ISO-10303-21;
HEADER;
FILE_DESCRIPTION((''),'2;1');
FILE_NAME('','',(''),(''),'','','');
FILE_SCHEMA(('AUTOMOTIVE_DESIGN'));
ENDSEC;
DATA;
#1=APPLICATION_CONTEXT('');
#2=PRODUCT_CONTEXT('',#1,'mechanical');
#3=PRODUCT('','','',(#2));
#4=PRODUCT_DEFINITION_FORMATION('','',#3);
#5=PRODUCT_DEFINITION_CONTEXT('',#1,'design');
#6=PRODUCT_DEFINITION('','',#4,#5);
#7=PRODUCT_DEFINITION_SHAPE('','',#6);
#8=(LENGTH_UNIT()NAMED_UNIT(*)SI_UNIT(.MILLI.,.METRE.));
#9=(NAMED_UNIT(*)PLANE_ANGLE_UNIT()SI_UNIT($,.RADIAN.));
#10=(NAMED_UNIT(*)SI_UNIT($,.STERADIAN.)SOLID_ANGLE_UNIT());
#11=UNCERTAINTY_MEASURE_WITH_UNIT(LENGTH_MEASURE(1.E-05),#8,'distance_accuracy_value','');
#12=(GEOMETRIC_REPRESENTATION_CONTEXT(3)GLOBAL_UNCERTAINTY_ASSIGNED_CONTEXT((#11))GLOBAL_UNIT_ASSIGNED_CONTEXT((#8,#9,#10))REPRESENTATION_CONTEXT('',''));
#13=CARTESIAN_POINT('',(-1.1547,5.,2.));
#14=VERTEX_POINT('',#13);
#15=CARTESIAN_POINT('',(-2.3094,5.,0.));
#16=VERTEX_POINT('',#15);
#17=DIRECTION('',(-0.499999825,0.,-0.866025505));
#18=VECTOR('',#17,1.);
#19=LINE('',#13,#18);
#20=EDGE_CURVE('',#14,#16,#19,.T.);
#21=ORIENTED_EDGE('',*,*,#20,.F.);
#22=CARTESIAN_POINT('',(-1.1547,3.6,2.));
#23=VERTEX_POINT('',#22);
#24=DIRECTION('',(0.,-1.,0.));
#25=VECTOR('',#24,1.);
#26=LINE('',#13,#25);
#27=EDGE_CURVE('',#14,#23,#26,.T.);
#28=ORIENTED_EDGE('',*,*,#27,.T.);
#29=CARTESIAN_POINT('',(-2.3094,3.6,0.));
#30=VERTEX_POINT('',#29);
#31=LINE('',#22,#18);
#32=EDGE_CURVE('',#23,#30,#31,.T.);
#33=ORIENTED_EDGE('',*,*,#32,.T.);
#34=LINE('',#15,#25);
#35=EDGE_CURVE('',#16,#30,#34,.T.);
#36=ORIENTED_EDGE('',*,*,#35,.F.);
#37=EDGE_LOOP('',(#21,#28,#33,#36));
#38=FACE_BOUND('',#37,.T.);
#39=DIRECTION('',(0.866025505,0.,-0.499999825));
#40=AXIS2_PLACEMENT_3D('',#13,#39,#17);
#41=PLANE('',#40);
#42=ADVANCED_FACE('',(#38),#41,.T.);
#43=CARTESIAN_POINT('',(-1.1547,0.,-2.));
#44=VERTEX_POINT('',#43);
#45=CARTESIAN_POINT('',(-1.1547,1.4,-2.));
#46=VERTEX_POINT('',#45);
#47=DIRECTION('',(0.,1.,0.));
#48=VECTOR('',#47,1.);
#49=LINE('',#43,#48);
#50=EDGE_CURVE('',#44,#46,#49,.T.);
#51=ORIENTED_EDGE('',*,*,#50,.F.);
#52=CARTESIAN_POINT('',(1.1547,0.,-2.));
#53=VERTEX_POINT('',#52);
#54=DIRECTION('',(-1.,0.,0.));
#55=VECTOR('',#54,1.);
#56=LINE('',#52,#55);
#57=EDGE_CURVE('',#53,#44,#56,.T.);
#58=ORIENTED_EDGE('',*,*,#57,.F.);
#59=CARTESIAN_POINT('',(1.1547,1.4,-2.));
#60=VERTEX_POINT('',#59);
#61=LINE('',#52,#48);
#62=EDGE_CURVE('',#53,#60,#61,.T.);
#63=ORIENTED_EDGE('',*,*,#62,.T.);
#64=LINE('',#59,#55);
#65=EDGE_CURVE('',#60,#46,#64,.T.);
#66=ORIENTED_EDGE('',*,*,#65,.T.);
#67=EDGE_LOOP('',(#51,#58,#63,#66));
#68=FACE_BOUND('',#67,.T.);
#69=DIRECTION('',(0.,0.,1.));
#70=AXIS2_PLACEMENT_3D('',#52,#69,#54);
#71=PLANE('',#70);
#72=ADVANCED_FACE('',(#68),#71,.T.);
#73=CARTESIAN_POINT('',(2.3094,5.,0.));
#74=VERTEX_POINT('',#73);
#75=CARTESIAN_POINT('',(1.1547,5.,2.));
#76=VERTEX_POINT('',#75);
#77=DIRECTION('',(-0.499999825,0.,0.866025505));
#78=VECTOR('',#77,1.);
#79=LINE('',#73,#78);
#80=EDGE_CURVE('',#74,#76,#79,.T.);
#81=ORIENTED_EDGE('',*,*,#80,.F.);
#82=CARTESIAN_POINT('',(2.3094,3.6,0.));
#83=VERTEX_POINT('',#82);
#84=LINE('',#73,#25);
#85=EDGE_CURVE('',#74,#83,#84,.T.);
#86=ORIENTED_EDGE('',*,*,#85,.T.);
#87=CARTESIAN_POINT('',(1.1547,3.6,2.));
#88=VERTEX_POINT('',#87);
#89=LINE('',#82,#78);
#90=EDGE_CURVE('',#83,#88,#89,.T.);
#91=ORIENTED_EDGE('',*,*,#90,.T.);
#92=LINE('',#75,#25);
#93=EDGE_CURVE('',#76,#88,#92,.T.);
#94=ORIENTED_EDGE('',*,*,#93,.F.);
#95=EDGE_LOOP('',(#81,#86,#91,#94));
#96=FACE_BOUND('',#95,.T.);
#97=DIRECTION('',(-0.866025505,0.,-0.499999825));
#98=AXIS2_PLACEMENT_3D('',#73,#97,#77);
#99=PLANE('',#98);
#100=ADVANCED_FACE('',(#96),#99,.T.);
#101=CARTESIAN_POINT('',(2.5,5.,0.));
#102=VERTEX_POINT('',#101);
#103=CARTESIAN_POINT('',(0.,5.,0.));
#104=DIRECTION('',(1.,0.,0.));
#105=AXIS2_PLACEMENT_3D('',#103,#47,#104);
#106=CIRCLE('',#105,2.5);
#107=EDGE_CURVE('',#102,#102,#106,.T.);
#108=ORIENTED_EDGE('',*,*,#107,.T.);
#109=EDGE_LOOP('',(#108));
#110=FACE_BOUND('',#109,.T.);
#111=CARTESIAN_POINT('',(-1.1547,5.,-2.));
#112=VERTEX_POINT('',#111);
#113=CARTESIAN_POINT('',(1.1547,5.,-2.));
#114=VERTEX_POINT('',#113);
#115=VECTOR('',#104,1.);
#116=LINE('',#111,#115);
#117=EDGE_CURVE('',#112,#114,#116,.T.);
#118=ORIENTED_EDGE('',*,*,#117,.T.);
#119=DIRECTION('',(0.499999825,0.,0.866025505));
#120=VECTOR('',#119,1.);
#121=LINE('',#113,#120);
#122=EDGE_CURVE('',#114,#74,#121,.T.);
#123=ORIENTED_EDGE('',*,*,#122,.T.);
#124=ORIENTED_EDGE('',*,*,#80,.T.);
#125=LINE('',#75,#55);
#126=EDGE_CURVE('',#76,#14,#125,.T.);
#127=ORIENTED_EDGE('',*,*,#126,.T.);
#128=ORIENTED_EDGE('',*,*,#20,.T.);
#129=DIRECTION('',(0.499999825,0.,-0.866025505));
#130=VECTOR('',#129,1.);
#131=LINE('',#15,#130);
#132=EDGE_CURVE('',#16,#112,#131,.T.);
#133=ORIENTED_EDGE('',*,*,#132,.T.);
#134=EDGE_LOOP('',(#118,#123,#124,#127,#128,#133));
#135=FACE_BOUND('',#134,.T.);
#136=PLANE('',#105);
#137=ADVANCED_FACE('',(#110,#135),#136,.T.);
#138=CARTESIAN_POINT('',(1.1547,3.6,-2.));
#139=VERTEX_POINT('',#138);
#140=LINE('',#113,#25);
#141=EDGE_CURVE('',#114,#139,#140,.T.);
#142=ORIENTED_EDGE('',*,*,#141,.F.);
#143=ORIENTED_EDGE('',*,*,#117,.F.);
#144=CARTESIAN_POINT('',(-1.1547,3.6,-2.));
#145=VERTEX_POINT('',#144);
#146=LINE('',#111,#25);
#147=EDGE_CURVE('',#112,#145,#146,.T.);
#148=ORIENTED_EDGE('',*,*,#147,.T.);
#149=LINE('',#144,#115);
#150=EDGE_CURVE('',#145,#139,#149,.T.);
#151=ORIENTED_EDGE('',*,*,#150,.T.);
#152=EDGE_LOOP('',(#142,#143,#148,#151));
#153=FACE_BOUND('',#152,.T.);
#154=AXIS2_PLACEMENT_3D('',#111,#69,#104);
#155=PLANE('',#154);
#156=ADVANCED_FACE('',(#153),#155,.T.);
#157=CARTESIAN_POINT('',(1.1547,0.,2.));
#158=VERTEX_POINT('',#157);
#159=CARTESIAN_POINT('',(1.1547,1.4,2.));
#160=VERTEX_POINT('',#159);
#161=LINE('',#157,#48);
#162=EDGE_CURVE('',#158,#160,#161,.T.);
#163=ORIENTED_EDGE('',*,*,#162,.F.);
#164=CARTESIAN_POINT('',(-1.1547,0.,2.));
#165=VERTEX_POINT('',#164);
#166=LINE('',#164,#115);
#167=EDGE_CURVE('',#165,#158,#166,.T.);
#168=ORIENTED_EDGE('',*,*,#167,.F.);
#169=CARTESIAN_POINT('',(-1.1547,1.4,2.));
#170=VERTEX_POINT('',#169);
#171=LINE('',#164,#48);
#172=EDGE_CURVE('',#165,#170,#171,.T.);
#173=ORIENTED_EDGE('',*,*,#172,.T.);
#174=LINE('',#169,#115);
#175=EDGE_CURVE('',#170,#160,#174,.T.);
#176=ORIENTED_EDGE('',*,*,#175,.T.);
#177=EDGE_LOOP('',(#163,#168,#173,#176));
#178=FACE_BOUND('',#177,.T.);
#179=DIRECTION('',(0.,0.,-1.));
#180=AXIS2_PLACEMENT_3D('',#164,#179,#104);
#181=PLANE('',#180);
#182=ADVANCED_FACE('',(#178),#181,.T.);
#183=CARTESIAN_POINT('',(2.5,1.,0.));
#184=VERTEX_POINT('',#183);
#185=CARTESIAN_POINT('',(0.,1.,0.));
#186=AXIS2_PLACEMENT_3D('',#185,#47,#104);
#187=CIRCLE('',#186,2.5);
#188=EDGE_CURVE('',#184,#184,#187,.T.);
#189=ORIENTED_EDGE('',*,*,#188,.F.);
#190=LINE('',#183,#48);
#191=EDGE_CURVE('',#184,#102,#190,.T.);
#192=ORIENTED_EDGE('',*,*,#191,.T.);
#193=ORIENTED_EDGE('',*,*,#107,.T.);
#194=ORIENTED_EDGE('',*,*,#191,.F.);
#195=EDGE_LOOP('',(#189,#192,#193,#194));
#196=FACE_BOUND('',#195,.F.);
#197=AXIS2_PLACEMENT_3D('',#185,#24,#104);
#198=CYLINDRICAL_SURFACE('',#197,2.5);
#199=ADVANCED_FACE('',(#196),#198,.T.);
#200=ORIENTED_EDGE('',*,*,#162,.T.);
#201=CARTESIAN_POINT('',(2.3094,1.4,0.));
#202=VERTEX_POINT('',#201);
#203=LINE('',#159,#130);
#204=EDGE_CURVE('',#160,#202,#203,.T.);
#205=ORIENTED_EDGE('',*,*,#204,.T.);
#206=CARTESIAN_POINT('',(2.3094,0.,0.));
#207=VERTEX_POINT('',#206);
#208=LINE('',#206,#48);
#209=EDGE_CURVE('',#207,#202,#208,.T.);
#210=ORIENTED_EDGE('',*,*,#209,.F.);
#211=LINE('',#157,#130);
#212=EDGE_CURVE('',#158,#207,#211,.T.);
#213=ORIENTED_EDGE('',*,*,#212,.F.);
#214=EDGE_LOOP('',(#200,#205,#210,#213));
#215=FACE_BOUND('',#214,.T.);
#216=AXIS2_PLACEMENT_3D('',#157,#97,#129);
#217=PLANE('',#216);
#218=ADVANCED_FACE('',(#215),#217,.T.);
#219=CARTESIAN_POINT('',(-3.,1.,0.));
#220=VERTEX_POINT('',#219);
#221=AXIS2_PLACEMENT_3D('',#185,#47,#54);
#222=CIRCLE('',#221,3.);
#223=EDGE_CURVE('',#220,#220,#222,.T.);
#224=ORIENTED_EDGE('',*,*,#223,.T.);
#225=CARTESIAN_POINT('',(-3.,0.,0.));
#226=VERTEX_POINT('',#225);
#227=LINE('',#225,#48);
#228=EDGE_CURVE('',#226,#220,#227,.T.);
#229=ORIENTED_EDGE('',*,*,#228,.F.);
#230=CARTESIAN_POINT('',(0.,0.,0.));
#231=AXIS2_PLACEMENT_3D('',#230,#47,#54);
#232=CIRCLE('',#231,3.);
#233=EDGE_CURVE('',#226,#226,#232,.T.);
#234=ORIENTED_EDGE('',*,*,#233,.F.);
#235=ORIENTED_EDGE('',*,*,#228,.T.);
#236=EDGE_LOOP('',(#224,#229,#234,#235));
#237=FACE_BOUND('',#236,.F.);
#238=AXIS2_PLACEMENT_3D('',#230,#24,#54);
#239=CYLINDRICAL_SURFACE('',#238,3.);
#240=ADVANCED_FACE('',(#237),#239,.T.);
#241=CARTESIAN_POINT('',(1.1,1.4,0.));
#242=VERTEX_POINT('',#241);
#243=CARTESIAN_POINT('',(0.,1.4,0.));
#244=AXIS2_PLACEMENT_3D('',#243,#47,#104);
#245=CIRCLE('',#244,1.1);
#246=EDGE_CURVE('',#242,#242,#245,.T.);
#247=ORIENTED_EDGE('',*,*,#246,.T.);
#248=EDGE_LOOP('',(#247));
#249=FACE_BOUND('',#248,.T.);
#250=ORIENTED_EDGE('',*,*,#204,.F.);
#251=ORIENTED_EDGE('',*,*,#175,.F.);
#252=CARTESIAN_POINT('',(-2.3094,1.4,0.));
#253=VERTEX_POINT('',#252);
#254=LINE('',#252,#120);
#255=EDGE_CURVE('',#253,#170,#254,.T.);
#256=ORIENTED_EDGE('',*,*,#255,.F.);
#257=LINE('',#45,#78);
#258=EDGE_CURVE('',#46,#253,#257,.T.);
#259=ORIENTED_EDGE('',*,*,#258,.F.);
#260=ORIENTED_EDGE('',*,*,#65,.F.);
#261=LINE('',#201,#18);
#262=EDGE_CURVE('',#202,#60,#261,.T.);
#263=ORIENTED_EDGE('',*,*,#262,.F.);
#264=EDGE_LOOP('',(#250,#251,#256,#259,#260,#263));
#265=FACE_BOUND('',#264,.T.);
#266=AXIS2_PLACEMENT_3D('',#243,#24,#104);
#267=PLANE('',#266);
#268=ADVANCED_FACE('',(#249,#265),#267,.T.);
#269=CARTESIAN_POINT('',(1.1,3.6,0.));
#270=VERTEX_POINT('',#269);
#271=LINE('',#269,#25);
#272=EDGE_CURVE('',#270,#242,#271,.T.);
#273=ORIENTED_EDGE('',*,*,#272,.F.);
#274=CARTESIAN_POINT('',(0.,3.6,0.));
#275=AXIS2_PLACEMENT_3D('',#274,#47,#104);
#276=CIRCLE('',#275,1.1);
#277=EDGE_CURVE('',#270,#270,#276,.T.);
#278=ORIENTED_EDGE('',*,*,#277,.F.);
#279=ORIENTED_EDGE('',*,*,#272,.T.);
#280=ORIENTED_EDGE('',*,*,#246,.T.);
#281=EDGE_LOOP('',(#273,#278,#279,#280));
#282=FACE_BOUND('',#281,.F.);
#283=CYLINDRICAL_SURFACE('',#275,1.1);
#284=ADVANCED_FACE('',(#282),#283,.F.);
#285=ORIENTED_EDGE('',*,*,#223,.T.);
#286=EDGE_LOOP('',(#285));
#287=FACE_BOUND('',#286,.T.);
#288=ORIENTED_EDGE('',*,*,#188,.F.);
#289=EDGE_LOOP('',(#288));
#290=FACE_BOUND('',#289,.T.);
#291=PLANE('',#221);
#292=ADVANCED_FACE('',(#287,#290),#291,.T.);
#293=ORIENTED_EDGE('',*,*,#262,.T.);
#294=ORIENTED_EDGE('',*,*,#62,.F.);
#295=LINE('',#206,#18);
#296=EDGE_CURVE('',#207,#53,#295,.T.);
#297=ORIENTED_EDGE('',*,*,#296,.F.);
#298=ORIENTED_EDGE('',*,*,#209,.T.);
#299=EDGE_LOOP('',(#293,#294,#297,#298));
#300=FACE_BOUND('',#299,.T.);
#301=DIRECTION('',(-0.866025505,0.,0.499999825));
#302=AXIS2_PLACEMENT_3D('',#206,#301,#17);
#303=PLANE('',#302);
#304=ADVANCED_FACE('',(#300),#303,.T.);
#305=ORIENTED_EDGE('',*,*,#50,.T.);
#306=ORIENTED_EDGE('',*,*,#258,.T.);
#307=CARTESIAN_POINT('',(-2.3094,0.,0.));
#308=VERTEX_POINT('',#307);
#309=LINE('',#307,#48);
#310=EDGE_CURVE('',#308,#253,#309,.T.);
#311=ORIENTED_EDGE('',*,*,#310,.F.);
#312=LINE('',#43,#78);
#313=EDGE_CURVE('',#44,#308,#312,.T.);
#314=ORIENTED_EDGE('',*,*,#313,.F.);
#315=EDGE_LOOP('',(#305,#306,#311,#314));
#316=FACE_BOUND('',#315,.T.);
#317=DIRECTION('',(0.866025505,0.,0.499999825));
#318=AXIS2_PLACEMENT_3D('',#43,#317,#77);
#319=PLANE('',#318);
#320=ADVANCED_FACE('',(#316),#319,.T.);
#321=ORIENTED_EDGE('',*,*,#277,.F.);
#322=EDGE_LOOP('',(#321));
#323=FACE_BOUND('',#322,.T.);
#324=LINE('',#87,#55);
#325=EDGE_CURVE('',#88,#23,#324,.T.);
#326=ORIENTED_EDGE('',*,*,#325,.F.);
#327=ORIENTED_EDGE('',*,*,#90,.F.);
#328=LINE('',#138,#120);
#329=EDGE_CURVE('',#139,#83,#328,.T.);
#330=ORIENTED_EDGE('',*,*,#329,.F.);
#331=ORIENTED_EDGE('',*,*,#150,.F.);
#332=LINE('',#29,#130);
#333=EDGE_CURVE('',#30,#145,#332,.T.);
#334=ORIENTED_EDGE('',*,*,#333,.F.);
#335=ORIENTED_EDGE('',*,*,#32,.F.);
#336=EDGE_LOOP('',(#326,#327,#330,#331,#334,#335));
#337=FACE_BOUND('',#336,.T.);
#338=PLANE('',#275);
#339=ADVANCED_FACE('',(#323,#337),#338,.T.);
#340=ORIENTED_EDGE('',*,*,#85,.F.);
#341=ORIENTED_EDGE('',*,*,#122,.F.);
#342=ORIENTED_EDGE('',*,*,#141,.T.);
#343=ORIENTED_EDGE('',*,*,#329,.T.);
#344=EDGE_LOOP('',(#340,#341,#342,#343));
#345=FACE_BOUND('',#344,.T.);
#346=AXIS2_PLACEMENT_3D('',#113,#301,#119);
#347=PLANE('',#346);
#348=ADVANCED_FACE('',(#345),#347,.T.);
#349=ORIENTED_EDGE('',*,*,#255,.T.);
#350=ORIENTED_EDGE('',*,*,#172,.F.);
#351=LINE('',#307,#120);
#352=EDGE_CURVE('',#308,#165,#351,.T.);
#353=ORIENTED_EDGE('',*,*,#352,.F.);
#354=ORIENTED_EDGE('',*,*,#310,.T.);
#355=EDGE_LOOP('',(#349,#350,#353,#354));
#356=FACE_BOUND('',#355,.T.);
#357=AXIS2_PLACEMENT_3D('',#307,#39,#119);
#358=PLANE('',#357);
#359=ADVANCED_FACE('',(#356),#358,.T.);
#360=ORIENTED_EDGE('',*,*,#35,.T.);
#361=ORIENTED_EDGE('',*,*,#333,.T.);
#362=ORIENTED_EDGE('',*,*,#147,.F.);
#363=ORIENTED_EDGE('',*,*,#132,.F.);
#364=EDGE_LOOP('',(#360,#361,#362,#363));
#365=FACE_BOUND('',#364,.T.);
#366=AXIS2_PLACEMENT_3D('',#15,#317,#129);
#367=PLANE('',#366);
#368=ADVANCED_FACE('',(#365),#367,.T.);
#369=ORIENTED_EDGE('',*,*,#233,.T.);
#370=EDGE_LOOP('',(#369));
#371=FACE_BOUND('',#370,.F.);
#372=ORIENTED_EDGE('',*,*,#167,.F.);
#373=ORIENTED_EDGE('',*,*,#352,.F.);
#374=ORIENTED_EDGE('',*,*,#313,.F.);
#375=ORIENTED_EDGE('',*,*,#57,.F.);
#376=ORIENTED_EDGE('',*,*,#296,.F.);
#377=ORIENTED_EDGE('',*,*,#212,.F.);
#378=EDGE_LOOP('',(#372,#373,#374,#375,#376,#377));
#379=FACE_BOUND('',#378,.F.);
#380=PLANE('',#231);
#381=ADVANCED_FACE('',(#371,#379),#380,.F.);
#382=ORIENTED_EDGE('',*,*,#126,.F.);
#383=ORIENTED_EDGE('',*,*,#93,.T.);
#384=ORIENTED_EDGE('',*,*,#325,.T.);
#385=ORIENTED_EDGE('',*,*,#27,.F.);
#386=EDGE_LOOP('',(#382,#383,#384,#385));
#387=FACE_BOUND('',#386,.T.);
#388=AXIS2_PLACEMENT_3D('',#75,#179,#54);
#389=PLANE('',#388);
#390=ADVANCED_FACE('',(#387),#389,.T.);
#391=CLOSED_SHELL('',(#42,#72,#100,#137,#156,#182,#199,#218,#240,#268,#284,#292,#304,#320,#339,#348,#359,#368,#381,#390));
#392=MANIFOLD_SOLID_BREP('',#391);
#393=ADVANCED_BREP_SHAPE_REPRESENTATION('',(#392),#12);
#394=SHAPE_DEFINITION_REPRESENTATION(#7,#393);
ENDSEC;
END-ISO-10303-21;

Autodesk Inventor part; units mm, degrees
ref_plane "YZ Plane" through (0, 0, 0) normal (1, 0, 0) x (0, 1, 0)
ref_plane "XZ Plane" through (0, 0, 0) normal (0, 1, 0) x (-1, 0, 0)
ref_plane "XY Plane" through (0, 0, 0) normal (0, 0, 1) x (1, 0, 0)
sketch "Эскиз1" plane through (0, 0, 0) normal (0, 1, 0) x (-1, 0, 0)
  circle A0 centre (0, 0) radius 3
  dimension "d0" = 6
extrude "Выдавливание1" add sketch "Эскиз1" along normal blind 1
sketch "Эскиз2" plane through (0, 1, 0) normal (0, 1, 0) x (1, 0, 0)
  circle A0 centre (0, 0) radius 2.5
  dimension "d3" = 5
extrude "Выдавливание2" add sketch "Эскиз2" along normal blind 4
sketch "Эскиз3" plane through (0, 5, 0) normal (0, 1, 0) x (1, 0, 0)
  circle A0 centre (0, 0) radius 3 projected
  line L0 (-2.3094, 0) -> (-1.1547, 2)
  line L1 (-1.1547, 2) -> (1.1547, 2)
  line L2 (1.1547, 2) -> (2.3094, 0)
  line L3 (2.3094, 0) -> (1.1547, -2)
  line L4 (1.1547, -2) -> (-1.1547, -2)
  line L5 (-1.1547, -2) -> (-2.3094, 0)
  dimension "d6" = 4
extrude "Выдавливание3" cut sketch "Эскиз3" against normal blind 1.4 contours L0 L1 L2 L3 L4 L5
sketch "Эскиз4" plane through (0, 3.6, 0) normal (0, 1, 0) x (1, 0, 0)
  circle A0 centre (0, 0) radius 1.1
  dimension "d9" = 2.2
extrude "Выдавливание4" cut sketch "Эскиз4" against normal up to surface (3.6 mm away)
sketch "Эскиз5" plane through (0, 0, 0) normal (0, -1, 0) x (1, 0, 0)
  line L0 (2.3094, 0) -> (1.1547, -2)
  line L1 (1.1547, -2) -> (-1.1547, -2)
  line L2 (-1.1547, -2) -> (-2.3094, 0)
  line L3 (-2.3094, 0) -> (-1.1547, 2)
  line L4 (-1.1547, 2) -> (1.1547, 2)
  line L5 (1.1547, 2) -> (2.3094, 0)
  point P0 (0, 0)
  point P1 (0, 0)
  dimension "d12" = 4
extrude "Выдавливание5" cut sketch "Эскиз5" against normal blind 1.4
properties part number "втулка_каретка"
